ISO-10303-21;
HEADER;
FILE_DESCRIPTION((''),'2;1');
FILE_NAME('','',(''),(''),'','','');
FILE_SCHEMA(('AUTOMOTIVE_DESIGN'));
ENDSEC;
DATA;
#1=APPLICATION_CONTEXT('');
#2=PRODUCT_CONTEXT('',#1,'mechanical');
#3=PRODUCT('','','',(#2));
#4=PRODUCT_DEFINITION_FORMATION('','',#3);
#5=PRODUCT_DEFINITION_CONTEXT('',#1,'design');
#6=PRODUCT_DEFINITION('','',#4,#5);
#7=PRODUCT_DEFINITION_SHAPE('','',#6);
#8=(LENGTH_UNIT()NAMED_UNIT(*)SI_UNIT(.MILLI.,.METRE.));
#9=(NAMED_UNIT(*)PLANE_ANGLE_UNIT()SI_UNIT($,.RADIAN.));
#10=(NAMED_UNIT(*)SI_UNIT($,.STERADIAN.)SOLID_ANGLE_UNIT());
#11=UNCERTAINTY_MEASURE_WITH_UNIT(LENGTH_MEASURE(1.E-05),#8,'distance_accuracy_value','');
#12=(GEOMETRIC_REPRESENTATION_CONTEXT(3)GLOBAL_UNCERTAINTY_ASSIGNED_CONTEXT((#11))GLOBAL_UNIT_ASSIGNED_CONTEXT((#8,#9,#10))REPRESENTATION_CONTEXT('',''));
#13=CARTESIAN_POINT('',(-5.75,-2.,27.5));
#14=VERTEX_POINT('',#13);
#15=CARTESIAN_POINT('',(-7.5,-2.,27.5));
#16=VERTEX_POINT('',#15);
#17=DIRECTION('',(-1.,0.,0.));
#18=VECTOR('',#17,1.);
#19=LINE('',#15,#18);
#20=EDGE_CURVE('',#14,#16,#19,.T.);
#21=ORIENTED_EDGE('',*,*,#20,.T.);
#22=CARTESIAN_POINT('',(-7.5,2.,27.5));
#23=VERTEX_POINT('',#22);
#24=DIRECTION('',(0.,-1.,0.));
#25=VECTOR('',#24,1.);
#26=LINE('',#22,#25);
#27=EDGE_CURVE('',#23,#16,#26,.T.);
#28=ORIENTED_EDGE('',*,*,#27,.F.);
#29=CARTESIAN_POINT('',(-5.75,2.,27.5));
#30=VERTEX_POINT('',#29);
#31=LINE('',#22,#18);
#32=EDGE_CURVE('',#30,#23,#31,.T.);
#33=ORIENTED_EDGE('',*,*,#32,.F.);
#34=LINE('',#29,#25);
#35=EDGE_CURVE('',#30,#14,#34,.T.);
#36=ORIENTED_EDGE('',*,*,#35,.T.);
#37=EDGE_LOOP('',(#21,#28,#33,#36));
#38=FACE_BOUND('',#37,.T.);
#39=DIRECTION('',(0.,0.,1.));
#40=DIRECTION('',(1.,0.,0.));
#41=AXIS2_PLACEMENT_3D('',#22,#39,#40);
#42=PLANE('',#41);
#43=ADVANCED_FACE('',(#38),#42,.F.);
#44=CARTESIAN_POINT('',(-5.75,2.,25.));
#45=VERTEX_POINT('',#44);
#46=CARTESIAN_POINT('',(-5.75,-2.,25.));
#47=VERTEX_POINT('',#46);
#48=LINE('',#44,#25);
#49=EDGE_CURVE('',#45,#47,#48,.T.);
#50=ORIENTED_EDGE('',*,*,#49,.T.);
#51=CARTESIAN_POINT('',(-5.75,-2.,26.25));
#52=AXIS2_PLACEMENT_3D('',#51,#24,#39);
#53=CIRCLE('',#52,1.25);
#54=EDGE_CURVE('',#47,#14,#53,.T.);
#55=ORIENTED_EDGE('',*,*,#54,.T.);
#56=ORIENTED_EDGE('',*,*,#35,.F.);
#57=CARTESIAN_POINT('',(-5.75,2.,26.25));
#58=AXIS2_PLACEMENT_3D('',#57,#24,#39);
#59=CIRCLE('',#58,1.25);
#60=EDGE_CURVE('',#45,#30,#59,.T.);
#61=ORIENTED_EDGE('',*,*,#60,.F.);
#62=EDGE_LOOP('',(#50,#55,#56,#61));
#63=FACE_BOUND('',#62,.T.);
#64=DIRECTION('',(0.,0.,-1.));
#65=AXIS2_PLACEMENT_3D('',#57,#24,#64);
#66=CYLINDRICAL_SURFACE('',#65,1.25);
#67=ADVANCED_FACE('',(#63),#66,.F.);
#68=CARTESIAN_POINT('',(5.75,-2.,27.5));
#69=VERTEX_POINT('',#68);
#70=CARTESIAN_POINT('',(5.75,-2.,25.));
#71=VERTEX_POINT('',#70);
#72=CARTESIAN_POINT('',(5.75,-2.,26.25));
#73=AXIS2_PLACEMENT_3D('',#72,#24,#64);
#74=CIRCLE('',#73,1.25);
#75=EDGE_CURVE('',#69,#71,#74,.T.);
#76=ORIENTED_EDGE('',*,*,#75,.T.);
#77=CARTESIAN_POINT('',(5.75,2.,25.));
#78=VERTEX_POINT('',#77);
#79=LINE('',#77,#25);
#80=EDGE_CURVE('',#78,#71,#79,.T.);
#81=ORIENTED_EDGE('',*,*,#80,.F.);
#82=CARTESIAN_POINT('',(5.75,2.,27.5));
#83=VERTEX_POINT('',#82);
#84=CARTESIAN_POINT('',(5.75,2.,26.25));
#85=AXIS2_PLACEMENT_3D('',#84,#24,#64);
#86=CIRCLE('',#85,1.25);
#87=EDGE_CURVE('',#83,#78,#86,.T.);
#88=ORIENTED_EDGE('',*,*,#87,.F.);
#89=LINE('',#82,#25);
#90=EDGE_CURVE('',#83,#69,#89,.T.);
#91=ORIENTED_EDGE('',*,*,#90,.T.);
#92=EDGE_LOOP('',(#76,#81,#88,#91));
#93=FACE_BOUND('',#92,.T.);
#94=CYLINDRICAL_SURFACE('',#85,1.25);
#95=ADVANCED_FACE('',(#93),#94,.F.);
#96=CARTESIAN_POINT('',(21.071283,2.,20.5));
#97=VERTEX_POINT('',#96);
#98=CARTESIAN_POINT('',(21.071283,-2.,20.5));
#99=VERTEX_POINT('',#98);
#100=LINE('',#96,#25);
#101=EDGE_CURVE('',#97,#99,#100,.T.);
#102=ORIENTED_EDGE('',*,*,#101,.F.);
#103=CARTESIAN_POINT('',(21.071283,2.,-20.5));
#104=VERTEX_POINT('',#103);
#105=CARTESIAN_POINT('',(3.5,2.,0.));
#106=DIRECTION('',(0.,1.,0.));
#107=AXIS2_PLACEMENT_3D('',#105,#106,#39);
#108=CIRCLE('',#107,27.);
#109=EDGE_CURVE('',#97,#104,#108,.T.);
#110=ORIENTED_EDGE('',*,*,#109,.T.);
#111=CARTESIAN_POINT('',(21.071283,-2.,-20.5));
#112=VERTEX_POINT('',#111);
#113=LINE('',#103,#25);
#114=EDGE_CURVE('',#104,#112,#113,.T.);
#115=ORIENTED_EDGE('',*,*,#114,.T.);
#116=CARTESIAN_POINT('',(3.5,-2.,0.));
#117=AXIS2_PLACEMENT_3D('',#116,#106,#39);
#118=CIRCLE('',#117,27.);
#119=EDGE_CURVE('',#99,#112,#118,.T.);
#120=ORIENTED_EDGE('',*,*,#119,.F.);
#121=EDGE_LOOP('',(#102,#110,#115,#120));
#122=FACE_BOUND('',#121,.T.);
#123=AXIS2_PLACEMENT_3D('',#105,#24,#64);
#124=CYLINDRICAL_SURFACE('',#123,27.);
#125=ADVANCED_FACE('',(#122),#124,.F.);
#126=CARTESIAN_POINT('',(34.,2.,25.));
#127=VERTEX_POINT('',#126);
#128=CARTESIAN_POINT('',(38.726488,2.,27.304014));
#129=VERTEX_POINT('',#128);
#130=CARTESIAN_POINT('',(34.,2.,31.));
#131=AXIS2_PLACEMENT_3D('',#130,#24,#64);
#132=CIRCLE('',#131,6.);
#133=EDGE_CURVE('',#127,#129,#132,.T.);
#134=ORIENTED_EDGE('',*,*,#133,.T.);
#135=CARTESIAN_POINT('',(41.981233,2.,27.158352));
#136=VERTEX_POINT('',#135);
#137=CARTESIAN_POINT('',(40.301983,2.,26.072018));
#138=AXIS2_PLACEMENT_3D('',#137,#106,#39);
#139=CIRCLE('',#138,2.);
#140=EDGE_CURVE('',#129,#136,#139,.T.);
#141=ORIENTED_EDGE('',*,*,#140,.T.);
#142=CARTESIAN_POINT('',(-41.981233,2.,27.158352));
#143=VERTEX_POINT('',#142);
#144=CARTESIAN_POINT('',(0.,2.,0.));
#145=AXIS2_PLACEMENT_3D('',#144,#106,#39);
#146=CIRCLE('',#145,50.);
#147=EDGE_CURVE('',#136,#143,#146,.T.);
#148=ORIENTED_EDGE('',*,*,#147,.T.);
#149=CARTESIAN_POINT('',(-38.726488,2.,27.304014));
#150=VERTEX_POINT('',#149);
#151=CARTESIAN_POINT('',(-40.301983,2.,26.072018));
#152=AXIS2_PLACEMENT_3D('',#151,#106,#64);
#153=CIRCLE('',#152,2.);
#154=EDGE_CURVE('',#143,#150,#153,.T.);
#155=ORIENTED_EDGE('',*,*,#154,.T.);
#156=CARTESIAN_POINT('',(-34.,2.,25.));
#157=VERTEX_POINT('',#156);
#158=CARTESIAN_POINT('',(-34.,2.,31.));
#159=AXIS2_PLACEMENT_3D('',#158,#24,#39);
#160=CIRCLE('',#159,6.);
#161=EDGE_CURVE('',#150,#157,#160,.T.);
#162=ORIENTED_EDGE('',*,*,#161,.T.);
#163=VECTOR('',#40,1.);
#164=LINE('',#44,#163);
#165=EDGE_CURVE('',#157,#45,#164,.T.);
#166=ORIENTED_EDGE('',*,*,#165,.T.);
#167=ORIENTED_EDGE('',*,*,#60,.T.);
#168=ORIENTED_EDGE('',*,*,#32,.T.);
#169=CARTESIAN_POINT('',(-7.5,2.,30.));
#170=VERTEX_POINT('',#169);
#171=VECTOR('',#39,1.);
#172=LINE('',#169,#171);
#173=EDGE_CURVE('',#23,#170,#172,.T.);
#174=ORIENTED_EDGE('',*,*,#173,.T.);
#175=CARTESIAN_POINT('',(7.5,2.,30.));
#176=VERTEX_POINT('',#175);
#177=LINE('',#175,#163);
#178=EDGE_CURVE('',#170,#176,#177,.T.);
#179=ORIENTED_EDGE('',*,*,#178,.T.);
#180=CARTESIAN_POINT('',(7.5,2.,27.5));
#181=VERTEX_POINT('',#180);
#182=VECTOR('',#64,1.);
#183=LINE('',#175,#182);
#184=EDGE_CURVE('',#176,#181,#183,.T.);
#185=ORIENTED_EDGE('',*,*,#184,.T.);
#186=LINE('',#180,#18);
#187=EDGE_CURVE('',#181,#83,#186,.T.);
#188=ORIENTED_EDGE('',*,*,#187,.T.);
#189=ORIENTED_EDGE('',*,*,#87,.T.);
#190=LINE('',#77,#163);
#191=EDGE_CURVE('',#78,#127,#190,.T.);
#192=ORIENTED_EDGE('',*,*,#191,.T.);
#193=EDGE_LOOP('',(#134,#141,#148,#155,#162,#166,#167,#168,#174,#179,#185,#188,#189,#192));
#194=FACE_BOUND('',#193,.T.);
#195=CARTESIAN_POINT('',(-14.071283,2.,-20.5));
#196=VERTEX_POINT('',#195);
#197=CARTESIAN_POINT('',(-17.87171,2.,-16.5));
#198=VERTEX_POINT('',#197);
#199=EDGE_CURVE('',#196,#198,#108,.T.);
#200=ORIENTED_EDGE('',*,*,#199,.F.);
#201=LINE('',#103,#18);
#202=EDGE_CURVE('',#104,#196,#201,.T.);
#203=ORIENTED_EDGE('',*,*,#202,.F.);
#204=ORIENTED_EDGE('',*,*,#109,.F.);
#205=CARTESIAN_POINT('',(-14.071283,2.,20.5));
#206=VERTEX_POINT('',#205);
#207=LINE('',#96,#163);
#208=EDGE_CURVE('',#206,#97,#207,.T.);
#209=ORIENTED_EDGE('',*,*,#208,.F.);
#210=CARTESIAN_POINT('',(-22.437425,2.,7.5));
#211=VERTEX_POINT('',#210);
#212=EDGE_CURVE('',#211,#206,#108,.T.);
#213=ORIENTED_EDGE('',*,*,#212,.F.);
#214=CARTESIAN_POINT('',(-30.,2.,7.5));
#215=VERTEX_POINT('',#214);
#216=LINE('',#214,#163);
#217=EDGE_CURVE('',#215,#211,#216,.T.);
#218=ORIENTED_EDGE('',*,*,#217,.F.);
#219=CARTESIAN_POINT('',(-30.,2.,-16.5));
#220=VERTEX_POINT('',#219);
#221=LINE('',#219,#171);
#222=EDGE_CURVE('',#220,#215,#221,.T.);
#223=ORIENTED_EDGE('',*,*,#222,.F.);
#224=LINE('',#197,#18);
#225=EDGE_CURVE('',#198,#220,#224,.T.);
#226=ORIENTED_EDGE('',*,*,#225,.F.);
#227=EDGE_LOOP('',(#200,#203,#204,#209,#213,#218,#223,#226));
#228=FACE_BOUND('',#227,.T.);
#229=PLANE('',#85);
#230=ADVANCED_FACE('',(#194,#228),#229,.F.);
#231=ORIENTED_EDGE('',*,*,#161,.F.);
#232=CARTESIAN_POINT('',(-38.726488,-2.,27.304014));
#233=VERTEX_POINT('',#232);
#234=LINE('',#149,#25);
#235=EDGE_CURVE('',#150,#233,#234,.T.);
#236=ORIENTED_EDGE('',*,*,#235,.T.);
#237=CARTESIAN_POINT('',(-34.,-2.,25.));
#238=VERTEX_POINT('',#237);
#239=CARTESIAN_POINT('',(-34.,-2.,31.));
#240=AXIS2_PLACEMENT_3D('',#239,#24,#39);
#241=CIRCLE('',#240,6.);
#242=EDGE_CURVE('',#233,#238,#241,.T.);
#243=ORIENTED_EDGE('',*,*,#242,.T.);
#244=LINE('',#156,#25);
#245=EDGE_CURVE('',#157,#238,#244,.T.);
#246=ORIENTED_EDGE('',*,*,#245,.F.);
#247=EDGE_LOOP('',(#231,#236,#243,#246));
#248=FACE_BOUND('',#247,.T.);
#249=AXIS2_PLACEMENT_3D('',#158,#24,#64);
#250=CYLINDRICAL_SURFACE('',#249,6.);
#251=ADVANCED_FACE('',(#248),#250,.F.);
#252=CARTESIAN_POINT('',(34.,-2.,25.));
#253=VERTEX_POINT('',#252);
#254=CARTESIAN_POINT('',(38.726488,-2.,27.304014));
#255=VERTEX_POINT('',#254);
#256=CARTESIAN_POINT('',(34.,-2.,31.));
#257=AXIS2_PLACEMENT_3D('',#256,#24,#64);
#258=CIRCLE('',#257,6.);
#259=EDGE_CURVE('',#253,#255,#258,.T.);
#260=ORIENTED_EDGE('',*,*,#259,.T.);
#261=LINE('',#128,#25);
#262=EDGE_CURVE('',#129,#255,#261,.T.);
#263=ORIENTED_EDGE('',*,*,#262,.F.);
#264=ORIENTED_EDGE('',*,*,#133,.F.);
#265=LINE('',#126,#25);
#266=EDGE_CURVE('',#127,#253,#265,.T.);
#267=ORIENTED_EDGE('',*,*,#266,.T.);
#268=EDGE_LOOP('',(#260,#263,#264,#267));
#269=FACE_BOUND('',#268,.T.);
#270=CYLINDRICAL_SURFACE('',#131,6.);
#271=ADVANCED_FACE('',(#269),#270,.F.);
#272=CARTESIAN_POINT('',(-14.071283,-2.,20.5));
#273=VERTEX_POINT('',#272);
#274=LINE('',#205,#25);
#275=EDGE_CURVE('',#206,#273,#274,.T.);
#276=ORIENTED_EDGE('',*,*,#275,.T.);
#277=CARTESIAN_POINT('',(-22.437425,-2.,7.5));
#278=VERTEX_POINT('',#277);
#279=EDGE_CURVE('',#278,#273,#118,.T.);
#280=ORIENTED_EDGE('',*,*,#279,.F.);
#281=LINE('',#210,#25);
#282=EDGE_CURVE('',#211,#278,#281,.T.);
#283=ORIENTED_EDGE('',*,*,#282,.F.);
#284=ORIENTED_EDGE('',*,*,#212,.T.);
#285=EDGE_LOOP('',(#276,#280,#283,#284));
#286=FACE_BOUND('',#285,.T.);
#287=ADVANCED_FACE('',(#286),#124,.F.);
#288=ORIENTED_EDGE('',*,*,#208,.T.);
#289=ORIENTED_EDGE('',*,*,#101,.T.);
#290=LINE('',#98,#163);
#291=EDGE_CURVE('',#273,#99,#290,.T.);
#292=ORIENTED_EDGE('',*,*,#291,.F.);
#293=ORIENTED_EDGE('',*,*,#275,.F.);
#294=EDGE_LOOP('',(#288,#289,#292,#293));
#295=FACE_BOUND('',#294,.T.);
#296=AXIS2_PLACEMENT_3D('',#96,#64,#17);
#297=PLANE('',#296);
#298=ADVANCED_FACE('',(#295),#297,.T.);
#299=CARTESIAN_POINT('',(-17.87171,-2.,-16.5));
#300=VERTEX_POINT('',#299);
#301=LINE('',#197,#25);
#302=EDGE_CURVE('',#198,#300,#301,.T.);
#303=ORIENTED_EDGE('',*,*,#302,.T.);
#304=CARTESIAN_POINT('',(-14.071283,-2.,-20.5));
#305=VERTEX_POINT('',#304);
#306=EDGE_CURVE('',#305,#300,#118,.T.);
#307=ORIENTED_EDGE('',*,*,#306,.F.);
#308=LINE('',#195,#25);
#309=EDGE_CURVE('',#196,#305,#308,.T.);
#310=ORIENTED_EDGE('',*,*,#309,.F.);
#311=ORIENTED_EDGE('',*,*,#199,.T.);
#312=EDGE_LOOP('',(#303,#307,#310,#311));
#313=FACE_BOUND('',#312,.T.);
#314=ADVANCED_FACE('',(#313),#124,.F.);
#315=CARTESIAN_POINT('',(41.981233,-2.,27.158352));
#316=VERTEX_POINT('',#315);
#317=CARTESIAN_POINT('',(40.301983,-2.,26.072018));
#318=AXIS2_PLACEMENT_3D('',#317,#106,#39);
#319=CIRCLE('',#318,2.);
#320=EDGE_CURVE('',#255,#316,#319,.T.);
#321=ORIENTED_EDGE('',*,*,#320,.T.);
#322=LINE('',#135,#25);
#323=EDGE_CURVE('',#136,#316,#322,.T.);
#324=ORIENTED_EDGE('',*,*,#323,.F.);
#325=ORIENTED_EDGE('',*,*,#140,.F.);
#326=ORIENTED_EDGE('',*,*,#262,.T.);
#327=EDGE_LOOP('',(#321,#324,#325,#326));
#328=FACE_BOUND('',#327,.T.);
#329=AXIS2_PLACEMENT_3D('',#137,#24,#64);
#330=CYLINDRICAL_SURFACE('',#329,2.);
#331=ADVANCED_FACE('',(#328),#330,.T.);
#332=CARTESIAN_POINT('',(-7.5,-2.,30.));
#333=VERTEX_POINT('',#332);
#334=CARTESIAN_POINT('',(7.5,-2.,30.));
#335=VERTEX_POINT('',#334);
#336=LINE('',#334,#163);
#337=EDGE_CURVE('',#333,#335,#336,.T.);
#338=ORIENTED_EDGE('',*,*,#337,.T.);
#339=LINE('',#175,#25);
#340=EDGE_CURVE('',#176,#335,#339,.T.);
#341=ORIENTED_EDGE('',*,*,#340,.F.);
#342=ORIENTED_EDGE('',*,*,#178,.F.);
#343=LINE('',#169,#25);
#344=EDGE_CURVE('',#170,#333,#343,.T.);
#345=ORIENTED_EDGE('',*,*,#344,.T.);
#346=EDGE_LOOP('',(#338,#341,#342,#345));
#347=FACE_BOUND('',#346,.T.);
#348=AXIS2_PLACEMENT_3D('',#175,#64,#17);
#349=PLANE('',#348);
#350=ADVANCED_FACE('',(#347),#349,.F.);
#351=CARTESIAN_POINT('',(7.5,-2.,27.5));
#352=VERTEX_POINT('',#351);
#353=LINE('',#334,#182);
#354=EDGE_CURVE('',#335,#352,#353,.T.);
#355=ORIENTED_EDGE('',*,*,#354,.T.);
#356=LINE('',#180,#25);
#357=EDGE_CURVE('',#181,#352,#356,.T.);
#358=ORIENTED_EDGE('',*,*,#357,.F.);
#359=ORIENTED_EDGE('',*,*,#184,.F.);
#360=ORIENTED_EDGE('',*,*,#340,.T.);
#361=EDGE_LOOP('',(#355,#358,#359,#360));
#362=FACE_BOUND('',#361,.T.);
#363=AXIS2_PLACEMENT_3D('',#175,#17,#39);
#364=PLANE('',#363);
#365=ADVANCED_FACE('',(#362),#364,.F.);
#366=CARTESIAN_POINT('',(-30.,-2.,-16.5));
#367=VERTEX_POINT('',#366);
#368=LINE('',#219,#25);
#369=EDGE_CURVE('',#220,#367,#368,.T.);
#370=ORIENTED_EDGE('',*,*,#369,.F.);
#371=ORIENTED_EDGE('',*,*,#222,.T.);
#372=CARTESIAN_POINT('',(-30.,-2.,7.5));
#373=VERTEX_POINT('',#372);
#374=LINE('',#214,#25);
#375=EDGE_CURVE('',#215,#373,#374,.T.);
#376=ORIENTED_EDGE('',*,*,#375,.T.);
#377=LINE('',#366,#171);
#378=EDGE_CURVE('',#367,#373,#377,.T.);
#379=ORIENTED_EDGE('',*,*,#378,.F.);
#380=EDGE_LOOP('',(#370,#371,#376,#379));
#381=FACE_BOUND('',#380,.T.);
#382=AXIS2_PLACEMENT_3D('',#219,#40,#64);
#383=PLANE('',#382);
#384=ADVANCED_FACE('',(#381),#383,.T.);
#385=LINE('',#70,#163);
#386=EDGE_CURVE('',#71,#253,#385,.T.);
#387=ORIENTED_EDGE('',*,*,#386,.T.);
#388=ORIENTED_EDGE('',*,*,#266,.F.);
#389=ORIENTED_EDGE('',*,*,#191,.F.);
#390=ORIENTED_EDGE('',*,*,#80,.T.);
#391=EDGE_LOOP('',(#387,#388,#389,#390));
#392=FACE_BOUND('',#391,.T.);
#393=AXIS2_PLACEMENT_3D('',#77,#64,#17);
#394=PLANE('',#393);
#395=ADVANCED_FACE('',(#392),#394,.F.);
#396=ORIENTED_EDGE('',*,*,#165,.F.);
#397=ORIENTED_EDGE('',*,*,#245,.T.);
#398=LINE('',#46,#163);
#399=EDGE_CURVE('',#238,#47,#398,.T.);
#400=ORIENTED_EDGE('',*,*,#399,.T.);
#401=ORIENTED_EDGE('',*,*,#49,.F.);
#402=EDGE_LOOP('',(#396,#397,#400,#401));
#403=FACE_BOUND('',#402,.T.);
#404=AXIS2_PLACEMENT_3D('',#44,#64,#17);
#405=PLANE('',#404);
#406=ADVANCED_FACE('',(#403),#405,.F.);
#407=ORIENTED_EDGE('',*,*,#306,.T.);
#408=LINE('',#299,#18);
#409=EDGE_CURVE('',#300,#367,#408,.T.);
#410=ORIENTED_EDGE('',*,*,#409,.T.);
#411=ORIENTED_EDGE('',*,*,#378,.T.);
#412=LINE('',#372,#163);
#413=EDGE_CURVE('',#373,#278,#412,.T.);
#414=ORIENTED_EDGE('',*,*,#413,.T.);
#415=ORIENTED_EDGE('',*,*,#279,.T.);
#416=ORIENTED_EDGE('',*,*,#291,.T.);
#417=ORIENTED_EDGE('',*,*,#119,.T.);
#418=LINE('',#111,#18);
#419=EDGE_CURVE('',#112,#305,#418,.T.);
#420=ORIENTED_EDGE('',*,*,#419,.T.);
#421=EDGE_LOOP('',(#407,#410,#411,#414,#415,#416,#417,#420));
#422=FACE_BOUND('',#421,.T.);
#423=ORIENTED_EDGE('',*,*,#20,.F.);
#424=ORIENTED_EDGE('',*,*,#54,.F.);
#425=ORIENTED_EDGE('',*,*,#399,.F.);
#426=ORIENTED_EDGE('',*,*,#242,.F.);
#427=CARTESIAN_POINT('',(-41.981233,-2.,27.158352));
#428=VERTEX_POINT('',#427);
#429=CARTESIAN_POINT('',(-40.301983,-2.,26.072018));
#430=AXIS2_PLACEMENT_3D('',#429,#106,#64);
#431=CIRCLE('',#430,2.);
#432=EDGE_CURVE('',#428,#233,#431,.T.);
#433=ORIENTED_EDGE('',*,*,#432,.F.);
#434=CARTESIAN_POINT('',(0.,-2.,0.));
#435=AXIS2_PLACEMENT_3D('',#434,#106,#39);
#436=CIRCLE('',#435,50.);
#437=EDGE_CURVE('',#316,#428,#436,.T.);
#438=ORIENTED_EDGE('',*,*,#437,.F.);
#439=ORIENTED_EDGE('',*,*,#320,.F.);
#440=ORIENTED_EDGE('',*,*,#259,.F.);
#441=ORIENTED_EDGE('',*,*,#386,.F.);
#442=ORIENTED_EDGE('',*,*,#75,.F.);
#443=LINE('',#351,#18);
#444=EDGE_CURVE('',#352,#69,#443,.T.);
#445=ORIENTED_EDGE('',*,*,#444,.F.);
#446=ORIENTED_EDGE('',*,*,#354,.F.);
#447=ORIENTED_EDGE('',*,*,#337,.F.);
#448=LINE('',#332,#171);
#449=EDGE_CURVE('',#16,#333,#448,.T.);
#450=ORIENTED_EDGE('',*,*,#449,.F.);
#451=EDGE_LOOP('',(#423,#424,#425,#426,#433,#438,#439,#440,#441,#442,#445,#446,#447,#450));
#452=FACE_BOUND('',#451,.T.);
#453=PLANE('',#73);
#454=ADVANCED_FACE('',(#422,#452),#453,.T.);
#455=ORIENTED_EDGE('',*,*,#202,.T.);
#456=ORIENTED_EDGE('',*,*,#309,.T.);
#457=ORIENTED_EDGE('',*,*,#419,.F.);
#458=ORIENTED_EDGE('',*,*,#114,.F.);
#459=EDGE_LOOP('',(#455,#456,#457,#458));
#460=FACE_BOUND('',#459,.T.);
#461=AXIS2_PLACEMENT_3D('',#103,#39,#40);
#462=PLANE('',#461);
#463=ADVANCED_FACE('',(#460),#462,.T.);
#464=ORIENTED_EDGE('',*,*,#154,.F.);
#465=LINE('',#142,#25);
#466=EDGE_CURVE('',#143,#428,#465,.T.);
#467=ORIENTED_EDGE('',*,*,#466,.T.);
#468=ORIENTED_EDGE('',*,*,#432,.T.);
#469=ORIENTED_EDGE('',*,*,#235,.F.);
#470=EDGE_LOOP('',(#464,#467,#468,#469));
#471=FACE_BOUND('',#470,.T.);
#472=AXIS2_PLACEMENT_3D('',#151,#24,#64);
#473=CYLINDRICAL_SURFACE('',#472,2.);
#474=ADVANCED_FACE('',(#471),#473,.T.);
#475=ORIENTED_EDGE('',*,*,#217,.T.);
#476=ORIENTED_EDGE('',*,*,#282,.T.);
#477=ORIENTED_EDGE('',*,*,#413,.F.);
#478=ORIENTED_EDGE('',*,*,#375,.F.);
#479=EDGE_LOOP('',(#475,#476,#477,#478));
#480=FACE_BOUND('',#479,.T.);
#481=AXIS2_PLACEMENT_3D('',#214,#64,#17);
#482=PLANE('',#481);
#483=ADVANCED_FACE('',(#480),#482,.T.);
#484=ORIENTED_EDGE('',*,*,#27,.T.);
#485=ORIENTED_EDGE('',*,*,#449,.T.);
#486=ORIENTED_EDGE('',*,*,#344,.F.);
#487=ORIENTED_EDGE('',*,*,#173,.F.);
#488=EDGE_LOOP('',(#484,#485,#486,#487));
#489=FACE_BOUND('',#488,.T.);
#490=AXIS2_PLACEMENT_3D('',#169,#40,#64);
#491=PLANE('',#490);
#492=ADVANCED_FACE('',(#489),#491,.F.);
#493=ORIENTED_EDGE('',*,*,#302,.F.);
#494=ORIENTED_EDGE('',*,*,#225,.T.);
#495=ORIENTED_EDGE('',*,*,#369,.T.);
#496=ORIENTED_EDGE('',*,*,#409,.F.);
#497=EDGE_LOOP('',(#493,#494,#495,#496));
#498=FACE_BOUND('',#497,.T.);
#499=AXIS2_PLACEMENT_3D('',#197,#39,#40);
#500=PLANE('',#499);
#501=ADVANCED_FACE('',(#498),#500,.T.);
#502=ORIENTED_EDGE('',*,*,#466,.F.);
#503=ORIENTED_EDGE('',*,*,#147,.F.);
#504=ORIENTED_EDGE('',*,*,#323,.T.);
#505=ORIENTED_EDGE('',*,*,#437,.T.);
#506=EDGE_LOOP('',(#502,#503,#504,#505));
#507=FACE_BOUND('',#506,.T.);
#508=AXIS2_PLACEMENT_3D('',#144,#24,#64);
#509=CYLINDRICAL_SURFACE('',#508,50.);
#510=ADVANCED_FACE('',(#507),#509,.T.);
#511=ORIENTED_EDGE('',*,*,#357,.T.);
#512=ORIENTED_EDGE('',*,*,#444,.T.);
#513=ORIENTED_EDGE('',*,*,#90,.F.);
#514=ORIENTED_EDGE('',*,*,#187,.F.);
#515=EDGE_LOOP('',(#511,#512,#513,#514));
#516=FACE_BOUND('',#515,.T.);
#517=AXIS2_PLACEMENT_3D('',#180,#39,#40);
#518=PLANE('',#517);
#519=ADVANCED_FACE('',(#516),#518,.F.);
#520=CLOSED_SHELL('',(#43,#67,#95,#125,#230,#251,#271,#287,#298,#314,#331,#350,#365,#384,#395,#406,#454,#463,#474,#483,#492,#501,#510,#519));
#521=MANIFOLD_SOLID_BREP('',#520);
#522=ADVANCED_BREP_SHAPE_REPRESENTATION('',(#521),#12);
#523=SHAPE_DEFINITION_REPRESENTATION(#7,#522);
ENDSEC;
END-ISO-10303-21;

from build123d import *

# Parameters (mm, degrees)
BOSS_EXTRUDE1_DEPTH = 2


with BuildPart() as part:
    # Sketch1 → Boss-Extrude1 (new, symmetric)
    with BuildSketch(Plane(origin=(0, 0, 0), x_dir=(1, 0, 0), z_dir=(0, 1, 0))):
        with BuildLine():
            Line((7.5, -30), (-7.5, -30))
            Line((-7.5, -30), (-7.5, -27.5))
            Line((-7.5, -27.5), (-5.75, -27.5))
            ThreePointArc((-5.75, -27.5), (-4.5, -26.25), (-5.75, -25))
            Line((-5.75, -25), (-34, -25))
            ThreePointArc((-34, -25), (-36.629076053, -25.606674578), (-38.726487571, -27.304013631))
            ThreePointArc((-38.726487571, -27.304013631), (-40.391401006, -28.070018299), (-41.981232738, -27.158352266))
            ThreePointArc((-41.981232738, -27.158352266), (0, 50), (41.981232738, -27.158352266))
            ThreePointArc((41.981232738, -27.158352266), (40.391401006, -28.070018299), (38.726487571, -27.304013631))
            ThreePointArc((38.726487571, -27.304013631), (36.629076053, -25.606674578), (34, -25))
            Line((34, -25), (5.75, -25))
            ThreePointArc((5.75, -25), (4.5, -26.25), (5.75, -27.5))
            Line((5.75, -27.5), (7.5, -27.5))
            Line((7.5, -27.5), (7.5, -30))
        make_face()
        with BuildLine():
            Line((21.071283391, 20.5), (-14.071283391, 20.5))
            ThreePointArc((-14.071283391, 20.5), (-16.073941577, 18.597333441), (-17.871710273, 16.5))
            Line((-17.871710273, 16.5), (-30, 16.5))
            Line((-30, 16.5), (-30, -7.5))
            Line((-30, -7.5), (-22.437424699, -7.5))
            ThreePointArc((-22.437424699, -7.5), (-19.204667359, -14.611573498), (-14.071283391, -20.5))
            Line((-14.071283391, -20.5), (21.071283391, -20.5))
            ThreePointArc((21.071283391, -20.5), (30.5, 0), (21.071283391, 20.5))
        make_face(mode=Mode.SUBTRACT)
    extrude(amount=BOSS_EXTRUDE1_DEPTH, both=True)


solid = part.part
